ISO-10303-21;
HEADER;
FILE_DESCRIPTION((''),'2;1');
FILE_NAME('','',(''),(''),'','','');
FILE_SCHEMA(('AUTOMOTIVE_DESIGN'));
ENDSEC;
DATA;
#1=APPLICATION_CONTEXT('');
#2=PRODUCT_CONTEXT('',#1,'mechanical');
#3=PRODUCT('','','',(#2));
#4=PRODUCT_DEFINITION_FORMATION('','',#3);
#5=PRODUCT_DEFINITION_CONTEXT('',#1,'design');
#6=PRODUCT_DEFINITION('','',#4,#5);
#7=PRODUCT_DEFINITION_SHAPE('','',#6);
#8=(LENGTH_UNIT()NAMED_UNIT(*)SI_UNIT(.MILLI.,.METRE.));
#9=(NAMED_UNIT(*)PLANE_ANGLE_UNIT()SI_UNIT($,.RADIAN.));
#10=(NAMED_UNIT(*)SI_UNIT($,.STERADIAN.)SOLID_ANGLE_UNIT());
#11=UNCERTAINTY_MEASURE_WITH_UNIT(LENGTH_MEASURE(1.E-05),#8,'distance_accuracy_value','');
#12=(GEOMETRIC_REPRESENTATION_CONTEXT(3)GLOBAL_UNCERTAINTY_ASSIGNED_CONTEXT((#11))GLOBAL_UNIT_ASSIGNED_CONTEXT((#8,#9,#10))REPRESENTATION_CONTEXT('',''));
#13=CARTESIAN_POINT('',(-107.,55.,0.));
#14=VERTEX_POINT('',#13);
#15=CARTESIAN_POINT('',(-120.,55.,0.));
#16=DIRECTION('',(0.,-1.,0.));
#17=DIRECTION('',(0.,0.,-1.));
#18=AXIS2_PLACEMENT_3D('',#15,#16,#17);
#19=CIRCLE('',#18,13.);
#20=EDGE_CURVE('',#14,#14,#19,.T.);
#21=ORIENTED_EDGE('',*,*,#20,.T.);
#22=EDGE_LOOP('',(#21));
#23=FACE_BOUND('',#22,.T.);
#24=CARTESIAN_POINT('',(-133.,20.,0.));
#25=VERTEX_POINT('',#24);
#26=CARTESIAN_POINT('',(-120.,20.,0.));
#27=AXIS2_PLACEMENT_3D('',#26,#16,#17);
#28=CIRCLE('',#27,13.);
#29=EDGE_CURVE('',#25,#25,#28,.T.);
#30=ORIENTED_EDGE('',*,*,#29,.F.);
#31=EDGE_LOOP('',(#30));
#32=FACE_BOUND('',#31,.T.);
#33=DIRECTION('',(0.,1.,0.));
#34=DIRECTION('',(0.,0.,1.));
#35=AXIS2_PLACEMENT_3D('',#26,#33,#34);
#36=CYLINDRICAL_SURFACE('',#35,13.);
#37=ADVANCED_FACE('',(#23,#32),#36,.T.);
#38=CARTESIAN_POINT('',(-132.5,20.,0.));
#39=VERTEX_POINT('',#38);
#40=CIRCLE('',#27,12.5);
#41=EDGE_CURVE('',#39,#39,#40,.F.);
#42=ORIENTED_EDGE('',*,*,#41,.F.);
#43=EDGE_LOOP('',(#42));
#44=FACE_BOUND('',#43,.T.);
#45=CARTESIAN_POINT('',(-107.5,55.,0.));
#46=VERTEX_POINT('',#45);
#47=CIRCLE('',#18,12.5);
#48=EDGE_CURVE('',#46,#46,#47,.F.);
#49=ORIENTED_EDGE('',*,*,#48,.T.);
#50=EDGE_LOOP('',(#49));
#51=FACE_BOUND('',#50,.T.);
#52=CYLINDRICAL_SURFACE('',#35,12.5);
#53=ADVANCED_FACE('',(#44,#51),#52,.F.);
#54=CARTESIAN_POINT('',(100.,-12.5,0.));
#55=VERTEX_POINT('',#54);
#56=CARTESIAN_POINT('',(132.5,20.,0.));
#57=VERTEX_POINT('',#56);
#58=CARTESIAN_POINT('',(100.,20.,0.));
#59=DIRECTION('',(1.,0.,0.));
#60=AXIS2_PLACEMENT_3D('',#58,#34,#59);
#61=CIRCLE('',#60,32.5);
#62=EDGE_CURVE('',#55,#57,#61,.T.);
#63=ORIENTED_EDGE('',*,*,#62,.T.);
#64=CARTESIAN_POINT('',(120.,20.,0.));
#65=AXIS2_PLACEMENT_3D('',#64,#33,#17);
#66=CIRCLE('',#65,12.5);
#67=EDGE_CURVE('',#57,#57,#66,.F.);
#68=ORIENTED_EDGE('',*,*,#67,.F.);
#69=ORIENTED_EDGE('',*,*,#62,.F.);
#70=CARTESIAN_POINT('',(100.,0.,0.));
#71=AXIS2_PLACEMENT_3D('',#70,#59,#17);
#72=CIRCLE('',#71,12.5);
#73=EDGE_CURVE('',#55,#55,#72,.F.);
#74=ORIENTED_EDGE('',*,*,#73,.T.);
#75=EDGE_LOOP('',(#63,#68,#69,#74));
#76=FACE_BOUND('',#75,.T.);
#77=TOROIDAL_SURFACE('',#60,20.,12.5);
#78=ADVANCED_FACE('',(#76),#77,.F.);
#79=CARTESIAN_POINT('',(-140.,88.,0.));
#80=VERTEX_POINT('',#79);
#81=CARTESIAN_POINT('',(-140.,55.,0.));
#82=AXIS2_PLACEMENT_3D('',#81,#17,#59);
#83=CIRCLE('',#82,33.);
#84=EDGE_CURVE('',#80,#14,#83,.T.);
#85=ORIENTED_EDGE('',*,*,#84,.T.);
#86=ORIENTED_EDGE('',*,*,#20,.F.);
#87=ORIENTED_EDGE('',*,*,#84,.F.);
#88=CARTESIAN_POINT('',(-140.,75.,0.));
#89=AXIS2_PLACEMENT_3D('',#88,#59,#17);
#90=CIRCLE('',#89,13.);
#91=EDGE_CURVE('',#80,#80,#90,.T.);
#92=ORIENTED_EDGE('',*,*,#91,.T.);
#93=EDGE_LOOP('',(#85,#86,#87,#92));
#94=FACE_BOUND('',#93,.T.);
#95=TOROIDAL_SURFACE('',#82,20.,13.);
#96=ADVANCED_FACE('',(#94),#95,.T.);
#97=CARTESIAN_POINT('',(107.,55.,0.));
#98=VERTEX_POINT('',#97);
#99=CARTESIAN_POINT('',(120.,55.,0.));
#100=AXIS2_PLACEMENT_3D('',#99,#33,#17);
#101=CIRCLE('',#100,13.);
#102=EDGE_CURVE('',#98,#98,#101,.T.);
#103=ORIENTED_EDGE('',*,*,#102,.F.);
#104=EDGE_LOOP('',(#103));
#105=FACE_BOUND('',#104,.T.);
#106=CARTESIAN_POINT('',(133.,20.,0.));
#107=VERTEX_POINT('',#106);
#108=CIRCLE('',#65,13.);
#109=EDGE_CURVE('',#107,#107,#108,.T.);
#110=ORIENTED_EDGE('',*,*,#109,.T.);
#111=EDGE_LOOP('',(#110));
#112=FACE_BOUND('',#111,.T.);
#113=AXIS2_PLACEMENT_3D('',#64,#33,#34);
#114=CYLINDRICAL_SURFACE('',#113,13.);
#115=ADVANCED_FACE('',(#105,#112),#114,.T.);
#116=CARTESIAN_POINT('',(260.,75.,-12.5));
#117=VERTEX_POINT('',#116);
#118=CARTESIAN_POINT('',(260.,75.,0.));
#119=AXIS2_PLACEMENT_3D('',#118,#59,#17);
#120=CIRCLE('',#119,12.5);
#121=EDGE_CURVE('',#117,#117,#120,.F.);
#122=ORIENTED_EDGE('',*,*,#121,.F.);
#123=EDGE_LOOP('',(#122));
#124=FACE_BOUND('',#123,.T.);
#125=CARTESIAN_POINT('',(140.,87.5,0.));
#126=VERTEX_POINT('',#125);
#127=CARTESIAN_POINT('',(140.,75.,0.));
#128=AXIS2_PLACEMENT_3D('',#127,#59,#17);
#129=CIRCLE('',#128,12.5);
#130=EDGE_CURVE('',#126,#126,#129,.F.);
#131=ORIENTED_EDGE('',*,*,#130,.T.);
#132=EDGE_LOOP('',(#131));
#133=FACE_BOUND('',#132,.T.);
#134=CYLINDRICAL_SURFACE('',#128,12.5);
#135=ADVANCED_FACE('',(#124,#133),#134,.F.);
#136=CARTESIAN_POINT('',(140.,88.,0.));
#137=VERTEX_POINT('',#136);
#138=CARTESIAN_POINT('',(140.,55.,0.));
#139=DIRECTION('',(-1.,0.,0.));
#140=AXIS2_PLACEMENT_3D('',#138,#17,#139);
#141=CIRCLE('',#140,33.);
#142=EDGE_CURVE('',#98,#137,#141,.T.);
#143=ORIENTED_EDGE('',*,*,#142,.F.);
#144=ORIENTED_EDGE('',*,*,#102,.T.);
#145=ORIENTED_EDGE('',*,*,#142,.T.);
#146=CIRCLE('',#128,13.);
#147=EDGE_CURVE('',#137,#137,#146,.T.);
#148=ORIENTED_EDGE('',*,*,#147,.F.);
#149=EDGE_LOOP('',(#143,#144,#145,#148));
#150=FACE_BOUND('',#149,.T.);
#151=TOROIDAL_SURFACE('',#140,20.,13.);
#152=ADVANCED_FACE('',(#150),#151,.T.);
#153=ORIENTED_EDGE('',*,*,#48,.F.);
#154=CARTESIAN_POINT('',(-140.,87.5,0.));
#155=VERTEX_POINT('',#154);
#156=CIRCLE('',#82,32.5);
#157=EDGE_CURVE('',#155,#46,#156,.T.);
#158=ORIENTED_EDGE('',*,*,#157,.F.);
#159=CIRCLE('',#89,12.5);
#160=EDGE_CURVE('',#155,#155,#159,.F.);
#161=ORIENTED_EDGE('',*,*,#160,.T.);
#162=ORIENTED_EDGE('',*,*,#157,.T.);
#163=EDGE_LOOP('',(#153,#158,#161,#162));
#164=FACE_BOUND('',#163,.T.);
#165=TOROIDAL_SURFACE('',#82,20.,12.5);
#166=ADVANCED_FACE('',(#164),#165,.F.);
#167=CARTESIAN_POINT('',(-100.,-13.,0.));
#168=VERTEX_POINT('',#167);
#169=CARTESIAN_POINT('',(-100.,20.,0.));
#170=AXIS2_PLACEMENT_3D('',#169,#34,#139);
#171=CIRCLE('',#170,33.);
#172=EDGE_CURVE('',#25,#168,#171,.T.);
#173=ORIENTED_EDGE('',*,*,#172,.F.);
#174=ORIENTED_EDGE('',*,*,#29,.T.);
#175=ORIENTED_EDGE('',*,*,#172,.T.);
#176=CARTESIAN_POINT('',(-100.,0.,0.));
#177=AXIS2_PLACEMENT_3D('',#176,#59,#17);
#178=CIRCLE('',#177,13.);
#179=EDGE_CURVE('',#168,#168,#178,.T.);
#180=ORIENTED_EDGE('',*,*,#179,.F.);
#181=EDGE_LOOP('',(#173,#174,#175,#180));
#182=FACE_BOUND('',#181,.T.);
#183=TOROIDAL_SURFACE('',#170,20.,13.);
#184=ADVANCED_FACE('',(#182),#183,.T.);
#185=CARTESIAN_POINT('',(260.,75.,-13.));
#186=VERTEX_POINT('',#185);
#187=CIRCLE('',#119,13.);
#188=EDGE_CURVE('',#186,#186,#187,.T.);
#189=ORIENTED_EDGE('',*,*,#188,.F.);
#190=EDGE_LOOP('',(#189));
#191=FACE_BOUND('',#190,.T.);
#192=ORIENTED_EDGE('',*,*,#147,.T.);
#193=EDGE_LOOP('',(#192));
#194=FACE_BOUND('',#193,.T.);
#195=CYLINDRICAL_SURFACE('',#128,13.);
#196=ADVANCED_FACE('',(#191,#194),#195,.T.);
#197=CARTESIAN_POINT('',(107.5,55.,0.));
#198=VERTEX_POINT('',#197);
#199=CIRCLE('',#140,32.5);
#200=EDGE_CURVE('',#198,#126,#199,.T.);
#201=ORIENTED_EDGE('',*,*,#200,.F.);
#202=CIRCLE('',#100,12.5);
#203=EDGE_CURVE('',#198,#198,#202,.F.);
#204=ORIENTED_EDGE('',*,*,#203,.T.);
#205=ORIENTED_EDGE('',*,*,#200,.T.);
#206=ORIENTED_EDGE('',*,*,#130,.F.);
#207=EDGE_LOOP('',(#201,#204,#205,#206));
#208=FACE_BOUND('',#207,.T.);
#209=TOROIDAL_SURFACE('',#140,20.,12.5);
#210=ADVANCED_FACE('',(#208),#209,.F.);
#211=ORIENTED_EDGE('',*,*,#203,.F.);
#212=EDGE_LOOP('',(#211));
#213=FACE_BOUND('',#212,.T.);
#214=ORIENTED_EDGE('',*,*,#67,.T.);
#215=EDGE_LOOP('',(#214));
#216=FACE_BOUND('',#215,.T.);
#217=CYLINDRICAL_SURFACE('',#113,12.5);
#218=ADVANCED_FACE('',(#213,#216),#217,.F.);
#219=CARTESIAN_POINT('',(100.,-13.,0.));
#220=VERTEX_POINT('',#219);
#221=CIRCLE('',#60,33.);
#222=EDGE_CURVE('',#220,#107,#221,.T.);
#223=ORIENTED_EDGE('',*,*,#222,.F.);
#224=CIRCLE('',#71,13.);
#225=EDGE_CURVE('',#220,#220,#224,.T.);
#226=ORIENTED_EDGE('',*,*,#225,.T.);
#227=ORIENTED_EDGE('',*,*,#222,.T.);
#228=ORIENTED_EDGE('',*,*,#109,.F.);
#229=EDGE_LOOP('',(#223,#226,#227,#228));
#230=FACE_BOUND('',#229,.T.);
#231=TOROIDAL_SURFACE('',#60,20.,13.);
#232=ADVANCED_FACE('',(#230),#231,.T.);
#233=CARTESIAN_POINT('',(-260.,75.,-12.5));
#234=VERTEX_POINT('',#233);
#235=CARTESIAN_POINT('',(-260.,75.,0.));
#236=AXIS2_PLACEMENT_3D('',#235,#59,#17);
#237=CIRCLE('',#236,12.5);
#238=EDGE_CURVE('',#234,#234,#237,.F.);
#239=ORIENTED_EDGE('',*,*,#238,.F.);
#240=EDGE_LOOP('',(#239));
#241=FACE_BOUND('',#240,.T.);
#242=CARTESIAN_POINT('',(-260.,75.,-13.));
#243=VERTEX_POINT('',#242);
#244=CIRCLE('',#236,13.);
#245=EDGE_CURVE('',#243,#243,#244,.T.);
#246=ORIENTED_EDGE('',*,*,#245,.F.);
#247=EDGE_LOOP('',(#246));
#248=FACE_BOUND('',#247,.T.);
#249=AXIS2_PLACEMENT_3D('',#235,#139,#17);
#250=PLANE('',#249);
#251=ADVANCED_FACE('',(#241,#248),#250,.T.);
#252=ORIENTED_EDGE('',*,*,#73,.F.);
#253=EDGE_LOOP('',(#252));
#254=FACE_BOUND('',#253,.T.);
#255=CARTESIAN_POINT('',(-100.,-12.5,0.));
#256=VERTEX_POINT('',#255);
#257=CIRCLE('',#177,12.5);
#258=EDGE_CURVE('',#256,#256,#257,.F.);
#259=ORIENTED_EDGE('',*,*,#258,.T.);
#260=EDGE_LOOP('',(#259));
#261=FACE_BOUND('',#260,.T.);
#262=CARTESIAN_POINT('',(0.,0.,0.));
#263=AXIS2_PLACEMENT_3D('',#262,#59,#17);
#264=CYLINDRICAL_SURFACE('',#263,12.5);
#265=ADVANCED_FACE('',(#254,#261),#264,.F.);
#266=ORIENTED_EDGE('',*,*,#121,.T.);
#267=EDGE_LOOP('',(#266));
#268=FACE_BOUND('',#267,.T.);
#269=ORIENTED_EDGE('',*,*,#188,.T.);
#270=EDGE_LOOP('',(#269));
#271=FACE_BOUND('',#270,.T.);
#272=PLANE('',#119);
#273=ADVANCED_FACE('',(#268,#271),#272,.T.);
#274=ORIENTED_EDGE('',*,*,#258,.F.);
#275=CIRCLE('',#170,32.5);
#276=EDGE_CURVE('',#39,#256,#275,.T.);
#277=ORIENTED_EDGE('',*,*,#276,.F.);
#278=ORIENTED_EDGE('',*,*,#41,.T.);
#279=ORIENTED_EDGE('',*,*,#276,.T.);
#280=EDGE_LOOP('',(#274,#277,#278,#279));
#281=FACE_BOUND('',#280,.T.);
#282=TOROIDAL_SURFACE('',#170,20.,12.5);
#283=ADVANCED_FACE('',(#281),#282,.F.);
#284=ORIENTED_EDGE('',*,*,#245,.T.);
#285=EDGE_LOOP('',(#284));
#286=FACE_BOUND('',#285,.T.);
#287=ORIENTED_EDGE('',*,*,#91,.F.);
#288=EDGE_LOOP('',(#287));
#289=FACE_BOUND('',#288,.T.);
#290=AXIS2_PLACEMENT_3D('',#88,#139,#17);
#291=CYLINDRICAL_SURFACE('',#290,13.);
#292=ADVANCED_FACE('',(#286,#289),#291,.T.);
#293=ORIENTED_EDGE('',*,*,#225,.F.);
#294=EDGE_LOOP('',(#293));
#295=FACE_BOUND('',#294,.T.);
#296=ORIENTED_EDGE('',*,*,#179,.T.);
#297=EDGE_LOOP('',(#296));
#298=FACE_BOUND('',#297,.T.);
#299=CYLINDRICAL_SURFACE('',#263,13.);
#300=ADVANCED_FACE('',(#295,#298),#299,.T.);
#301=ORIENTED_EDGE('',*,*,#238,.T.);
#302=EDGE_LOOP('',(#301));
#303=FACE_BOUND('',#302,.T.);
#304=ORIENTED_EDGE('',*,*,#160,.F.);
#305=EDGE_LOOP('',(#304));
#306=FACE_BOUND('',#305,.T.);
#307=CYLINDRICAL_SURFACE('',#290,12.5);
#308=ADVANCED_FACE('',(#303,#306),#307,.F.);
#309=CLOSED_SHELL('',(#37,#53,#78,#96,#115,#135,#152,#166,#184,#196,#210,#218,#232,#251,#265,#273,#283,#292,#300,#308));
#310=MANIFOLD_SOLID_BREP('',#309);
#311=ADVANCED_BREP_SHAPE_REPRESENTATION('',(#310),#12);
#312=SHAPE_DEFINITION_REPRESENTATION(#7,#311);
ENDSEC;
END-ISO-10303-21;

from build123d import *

# Parameters (mm, degrees)
SKETCH3_R   = 13
SKETCH3_R_2 = 12.5


with BuildPart() as part:
    # Sweep1: sweep along a path in Sketch2
    with BuildLine(Plane.XY) as sweep1_path:
        Line((0, 0), (100, 0))
        ThreePointArc((100, 0), (114.142135624, 5.857864376), (120, 20))
        Line((120, 20), (120, 55))
        ThreePointArc((120, 55), (125.857864376, 69.142135624), (140, 75))
        Line((140, 75), (260, 75))
    # Sketch3 → Sweep1 (sweep)
    with BuildSketch(Plane(origin=(0, 0, 0), x_dir=(0, 0, -1), z_dir=(1, 0, 0))):
        Circle(SKETCH3_R)
        Circle(SKETCH3_R_2, mode=Mode.SUBTRACT)
    sweep(path=sweep1_path.line)

    # Mirror2: part across plane


with BuildPart() as part_1:
    add(part.part)
    add(part.part.mirror(Plane(origin=(0, 0, 0), x_dir=(0, 0, 1), z_dir=(1, 0, 0))))


solid = part_1.part
